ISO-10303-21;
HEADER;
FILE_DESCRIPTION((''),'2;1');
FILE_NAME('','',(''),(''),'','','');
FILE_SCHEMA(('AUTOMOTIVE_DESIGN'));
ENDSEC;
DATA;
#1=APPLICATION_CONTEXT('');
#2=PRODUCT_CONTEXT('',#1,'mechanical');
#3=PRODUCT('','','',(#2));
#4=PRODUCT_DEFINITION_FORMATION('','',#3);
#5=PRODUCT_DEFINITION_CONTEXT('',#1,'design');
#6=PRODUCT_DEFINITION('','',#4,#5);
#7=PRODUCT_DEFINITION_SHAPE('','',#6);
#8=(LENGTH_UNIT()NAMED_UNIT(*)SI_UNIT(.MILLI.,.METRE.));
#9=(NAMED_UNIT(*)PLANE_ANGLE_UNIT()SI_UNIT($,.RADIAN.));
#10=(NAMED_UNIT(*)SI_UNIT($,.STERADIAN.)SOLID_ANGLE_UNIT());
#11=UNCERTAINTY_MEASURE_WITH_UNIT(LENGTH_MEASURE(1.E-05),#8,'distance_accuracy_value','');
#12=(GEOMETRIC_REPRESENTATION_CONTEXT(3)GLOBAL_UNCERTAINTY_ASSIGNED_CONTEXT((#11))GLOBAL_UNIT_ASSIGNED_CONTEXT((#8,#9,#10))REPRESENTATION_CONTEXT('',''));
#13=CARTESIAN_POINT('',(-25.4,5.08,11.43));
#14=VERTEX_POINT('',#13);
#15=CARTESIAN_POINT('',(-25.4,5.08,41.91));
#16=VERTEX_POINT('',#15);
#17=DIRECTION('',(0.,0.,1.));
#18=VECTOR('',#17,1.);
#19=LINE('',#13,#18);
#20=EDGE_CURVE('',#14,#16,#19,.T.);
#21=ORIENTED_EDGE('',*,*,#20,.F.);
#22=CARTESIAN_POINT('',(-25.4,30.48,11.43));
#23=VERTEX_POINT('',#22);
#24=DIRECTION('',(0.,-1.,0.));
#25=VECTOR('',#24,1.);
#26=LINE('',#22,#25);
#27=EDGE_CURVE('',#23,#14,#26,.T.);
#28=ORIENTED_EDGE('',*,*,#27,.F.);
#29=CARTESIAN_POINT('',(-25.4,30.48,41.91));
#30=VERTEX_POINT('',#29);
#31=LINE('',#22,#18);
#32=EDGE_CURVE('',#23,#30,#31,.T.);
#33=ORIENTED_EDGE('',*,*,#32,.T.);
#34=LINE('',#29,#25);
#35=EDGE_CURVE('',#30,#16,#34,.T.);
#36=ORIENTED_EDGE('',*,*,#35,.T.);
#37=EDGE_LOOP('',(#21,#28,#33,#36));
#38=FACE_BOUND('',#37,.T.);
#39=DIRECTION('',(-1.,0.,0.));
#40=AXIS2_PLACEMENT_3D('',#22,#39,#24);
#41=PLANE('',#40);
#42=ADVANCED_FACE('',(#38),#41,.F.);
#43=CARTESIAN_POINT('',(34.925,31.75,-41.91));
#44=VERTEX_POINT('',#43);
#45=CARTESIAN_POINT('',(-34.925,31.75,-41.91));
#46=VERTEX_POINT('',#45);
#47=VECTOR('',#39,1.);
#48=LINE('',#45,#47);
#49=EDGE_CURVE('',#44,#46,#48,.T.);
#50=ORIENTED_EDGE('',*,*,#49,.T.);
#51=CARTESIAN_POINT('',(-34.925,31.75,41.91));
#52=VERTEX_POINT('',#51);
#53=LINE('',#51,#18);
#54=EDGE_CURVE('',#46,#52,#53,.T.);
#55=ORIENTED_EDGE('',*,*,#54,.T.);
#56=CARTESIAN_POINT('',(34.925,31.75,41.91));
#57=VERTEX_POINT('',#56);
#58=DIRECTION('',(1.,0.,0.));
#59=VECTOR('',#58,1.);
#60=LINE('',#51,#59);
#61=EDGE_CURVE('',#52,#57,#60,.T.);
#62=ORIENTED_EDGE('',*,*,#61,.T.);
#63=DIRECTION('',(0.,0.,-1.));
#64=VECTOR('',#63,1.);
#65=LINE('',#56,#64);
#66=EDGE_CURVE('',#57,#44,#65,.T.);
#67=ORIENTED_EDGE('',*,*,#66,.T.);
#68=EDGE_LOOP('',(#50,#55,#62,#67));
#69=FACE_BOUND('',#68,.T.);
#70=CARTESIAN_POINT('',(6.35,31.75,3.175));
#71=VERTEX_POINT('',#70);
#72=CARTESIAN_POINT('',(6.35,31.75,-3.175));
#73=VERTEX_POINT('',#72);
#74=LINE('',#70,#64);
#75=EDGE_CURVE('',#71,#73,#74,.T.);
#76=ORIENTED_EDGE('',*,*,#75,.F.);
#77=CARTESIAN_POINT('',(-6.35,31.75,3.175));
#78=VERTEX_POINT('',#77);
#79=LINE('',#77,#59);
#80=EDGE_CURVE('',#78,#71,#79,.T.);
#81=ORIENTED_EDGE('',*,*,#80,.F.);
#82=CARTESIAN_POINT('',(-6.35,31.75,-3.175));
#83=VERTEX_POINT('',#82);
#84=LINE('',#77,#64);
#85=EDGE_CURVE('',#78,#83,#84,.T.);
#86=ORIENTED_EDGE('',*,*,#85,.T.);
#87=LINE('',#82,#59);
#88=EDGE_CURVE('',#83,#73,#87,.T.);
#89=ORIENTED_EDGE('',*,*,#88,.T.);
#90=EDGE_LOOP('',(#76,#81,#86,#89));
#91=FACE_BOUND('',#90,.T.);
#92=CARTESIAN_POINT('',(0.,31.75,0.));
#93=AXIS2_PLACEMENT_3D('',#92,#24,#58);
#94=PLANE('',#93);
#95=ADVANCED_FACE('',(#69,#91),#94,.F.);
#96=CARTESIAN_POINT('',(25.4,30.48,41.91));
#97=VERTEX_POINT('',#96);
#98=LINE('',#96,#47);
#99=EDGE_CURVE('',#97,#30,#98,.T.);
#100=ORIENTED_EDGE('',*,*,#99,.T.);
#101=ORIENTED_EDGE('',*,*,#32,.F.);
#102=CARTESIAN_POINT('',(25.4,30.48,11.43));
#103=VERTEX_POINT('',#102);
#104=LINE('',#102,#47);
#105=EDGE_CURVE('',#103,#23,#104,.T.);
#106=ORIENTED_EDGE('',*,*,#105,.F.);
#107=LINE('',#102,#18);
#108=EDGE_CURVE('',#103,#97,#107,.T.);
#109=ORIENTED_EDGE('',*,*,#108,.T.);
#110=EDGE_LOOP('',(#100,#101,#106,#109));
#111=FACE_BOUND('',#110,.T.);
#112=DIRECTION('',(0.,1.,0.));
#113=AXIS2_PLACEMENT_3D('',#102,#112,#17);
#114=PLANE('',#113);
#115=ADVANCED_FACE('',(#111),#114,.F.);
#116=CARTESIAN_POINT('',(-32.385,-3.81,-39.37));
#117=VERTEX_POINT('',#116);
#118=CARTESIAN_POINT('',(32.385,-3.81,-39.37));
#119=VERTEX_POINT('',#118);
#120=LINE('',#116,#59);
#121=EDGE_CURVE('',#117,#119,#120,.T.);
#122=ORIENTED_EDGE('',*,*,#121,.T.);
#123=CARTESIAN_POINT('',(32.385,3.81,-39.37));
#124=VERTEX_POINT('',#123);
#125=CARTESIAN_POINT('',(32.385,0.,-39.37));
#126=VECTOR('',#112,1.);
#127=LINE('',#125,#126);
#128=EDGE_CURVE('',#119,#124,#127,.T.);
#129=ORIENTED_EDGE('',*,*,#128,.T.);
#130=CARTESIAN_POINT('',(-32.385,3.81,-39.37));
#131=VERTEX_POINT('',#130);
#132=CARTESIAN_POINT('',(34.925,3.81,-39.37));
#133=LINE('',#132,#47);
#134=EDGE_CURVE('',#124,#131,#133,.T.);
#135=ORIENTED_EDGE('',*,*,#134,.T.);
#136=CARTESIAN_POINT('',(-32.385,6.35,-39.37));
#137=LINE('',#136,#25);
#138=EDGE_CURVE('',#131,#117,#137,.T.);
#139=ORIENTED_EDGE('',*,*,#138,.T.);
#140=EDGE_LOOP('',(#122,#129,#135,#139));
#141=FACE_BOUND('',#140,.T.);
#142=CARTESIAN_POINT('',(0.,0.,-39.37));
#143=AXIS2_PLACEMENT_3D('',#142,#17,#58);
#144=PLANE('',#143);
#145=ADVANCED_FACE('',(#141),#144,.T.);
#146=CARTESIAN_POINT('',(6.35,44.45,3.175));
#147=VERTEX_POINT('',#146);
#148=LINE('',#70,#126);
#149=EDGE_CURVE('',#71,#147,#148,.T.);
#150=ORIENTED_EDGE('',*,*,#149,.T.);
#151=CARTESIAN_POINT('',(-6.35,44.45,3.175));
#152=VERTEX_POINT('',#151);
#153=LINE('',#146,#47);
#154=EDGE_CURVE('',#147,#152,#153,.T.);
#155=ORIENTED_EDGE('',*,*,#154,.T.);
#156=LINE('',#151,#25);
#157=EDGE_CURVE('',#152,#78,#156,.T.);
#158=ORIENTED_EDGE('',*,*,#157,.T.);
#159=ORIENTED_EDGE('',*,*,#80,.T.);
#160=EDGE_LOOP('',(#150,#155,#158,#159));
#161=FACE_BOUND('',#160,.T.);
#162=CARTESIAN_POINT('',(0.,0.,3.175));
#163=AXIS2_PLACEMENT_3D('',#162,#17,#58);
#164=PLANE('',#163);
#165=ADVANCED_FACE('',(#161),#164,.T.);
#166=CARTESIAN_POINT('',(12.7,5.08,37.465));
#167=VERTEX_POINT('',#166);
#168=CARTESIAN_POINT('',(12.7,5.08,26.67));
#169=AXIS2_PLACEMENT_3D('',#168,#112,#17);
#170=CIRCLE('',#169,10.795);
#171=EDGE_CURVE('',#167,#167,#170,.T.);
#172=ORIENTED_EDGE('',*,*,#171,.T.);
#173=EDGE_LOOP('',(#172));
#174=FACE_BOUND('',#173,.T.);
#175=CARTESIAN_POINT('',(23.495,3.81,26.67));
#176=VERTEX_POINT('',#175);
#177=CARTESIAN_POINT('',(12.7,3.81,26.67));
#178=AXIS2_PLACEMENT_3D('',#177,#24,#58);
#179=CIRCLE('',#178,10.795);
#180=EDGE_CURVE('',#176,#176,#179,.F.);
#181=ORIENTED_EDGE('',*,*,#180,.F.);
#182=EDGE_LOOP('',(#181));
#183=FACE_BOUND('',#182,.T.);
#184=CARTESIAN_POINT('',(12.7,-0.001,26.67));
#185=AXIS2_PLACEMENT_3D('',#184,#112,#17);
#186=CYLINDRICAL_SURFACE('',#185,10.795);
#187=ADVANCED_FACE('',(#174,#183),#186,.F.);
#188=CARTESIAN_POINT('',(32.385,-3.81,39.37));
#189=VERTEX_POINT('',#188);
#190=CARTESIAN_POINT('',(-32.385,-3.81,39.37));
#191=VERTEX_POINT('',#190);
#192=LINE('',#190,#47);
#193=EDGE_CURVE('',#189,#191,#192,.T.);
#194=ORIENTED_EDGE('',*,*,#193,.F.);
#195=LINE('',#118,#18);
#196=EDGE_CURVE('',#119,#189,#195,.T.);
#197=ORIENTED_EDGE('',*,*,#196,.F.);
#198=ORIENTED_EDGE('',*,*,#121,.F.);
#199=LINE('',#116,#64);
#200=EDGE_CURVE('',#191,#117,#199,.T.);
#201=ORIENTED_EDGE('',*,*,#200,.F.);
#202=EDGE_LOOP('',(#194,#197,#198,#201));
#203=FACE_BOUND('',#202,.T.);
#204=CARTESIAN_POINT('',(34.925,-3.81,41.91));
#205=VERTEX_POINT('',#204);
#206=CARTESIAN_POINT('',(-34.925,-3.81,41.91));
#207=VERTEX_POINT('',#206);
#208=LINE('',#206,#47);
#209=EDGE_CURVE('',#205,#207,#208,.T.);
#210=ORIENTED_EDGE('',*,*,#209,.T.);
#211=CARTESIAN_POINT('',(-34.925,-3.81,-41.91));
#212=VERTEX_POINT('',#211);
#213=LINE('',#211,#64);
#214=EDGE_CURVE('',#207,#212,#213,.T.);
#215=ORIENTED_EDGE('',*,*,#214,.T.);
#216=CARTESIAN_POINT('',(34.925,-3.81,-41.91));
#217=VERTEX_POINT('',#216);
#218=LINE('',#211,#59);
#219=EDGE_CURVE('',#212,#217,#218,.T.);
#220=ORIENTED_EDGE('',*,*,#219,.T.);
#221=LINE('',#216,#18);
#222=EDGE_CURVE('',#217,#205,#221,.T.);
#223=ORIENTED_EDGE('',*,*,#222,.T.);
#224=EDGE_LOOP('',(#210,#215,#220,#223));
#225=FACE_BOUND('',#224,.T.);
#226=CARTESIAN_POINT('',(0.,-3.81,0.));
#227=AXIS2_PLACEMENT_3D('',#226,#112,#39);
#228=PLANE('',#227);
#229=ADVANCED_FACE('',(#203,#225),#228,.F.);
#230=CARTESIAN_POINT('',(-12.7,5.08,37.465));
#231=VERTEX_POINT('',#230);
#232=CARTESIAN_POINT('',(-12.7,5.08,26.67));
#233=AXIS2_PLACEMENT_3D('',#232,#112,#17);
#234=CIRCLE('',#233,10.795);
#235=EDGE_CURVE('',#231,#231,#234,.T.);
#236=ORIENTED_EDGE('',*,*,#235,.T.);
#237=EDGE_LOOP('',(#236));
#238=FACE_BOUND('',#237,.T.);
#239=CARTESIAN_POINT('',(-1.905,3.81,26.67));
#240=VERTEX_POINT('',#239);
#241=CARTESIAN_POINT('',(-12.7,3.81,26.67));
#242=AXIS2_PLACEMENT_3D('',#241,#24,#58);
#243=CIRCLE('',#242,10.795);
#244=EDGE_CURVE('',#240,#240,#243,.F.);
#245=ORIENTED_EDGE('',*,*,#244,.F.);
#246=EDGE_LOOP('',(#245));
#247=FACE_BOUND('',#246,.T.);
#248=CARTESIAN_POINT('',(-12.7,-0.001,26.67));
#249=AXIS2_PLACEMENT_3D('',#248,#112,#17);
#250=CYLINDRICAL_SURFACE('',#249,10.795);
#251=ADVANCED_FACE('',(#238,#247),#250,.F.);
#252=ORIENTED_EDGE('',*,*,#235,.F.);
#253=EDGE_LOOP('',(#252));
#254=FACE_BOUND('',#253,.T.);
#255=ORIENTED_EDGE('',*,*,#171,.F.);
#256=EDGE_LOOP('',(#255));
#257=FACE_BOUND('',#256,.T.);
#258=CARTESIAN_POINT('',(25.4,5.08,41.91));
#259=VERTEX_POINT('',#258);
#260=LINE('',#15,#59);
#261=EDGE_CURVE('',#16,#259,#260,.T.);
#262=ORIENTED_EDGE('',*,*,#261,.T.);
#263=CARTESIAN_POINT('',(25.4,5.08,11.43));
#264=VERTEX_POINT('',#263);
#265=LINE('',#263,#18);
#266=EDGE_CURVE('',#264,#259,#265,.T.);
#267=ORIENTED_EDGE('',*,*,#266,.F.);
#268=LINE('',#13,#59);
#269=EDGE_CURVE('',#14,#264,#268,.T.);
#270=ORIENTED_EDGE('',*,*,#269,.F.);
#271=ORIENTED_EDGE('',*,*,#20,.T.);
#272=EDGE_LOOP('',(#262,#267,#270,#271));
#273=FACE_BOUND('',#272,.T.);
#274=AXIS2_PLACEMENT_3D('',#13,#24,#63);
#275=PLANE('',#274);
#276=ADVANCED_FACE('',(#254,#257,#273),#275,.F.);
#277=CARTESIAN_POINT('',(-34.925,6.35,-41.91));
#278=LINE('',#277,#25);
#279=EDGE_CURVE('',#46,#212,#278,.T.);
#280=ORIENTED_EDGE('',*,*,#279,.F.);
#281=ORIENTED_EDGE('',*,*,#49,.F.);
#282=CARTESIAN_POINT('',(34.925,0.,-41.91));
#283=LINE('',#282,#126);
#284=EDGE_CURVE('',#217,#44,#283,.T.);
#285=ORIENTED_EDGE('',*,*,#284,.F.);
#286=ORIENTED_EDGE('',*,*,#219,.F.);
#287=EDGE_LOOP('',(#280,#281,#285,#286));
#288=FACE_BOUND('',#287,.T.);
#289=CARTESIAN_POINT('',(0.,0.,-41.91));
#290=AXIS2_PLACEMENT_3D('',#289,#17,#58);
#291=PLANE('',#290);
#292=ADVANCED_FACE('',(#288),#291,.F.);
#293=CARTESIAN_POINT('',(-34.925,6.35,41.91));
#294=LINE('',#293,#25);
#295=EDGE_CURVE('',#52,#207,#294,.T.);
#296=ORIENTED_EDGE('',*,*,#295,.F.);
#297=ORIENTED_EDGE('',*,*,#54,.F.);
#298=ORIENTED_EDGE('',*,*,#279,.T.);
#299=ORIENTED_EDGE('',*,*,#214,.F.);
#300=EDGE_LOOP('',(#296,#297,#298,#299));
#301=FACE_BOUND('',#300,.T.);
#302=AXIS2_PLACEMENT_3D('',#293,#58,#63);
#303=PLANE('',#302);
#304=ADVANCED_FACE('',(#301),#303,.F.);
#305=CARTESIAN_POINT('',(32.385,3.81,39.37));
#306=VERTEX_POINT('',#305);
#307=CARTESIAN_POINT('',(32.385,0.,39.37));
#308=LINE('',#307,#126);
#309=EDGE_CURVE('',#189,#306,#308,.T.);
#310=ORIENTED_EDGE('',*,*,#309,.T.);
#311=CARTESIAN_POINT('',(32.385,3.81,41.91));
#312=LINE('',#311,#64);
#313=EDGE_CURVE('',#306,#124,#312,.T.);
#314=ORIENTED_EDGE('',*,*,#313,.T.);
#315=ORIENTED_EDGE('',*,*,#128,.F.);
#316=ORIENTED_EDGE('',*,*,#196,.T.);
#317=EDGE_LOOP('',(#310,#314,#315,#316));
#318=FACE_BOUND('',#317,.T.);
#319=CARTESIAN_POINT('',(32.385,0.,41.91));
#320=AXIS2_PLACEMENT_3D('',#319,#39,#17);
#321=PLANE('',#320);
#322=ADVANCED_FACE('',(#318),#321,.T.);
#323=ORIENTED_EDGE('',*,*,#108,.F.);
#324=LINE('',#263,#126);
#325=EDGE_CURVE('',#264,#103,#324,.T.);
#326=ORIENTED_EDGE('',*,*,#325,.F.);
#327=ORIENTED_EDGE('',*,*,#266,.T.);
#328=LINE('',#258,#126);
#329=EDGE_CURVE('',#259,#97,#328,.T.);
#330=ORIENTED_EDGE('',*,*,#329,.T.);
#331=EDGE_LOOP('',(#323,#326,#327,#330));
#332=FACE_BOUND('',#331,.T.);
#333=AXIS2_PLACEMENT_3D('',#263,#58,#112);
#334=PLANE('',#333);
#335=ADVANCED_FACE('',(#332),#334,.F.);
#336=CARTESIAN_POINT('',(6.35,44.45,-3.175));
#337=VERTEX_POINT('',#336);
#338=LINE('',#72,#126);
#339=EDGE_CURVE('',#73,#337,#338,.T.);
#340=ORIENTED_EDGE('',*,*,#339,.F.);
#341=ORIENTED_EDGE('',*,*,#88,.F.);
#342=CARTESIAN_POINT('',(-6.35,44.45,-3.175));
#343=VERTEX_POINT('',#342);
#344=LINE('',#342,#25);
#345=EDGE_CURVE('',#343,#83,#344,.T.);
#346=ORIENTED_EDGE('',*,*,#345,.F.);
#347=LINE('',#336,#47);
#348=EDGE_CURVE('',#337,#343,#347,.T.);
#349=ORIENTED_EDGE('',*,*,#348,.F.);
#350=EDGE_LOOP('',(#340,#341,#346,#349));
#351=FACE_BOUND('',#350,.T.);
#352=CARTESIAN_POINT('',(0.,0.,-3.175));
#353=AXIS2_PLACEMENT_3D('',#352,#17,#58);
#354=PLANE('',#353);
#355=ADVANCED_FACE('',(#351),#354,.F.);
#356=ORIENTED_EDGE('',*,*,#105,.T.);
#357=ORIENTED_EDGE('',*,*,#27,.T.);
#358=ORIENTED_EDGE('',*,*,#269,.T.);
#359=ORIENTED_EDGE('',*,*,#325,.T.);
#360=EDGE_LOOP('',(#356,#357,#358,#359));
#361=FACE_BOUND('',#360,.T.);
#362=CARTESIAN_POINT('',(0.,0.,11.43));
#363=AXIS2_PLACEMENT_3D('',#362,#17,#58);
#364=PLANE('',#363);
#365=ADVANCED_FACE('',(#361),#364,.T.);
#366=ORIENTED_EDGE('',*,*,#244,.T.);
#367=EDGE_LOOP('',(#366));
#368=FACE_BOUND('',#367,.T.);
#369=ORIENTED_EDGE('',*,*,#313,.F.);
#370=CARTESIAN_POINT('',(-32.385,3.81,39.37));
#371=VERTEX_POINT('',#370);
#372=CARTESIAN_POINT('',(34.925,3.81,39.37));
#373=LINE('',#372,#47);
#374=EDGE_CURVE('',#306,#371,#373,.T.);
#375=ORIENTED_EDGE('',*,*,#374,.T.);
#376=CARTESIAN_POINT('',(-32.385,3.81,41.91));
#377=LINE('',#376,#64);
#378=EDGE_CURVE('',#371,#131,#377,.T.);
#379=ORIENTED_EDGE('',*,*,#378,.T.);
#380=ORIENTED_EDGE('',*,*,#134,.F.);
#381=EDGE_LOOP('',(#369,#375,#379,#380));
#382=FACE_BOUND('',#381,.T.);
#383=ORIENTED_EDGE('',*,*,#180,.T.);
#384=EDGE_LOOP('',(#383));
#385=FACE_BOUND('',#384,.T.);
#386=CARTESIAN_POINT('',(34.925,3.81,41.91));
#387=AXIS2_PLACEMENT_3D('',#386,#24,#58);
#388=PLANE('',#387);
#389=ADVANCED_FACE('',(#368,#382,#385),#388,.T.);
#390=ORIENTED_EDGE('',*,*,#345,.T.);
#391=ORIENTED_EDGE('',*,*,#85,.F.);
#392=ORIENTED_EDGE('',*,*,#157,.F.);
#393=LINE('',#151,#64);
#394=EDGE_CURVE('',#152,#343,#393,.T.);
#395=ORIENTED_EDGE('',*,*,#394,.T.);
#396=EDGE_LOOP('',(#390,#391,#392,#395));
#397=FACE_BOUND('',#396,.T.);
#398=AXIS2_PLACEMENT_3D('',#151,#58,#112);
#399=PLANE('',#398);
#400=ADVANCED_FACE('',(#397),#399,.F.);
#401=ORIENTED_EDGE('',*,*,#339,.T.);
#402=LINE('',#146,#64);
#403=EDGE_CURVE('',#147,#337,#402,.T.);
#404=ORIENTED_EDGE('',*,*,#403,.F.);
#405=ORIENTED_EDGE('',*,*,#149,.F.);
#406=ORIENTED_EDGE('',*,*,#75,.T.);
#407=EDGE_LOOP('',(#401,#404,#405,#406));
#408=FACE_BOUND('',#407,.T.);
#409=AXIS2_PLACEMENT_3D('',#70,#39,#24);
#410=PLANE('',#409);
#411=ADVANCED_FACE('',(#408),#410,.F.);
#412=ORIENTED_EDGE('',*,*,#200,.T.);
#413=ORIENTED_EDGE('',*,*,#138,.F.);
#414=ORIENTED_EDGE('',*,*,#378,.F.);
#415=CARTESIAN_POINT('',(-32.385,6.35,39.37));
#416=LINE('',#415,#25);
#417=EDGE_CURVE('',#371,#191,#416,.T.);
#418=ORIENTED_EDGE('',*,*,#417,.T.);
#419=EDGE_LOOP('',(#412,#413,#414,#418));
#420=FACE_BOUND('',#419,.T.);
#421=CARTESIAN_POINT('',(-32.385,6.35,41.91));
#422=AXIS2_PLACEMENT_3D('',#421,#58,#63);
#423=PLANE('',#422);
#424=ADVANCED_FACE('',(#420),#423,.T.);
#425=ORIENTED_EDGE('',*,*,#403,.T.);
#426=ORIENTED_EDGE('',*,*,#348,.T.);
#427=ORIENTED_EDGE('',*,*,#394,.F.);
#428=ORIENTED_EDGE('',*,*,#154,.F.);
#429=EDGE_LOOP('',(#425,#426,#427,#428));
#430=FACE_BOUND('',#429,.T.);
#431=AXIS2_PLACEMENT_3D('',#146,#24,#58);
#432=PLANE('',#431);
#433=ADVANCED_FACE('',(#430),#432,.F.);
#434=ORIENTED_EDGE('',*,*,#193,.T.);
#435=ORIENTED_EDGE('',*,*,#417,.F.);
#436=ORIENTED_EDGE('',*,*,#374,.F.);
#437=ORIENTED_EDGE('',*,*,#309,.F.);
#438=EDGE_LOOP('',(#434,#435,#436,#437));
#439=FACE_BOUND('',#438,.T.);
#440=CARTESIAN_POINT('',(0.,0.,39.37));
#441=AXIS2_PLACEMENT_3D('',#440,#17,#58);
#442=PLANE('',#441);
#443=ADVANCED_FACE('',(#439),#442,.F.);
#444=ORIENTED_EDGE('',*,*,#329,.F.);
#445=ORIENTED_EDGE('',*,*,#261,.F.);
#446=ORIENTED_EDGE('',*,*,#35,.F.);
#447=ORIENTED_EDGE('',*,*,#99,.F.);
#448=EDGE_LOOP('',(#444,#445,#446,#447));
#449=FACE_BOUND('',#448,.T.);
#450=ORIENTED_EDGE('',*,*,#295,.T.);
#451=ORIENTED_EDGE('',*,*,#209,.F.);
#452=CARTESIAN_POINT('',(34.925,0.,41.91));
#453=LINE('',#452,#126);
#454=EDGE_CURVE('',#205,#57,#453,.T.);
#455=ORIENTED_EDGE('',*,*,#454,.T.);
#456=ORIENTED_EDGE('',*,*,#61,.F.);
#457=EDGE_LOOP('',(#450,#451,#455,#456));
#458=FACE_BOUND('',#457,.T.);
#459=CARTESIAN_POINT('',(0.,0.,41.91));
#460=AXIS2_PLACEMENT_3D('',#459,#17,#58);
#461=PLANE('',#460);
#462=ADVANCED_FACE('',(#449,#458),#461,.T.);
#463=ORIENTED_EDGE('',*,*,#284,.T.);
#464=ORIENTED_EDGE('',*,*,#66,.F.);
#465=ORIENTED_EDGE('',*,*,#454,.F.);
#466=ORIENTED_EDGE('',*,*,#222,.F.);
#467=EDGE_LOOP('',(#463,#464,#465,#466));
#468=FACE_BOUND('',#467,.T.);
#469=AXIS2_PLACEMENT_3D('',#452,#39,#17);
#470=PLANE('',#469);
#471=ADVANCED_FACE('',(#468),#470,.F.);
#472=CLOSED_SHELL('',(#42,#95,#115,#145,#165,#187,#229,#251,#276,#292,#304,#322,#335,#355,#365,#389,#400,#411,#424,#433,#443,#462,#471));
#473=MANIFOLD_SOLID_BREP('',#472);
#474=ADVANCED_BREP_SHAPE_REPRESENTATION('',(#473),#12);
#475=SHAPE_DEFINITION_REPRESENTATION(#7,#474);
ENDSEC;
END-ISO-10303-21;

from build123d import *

# Parameters (mm, degrees)
SKETCH1_W           = 69.85
SKETCH1_H           = 6.35
BOSS_EXTRUDE1_DEPTH = 41.91
SHELL1_T            = -2.54
SKETCH2_W           = 69.85
SKETCH2_H           = 83.82
BOSS_EXTRUDE2_DEPTH = 25.4
SKETCH5_W           = 12.7
SKETCH5_H           = 12.7
BOSS_EXTRUDE5_DEPTH = 3.175
SKETCH6_W           = 50.8
SKETCH6_H           = 25.4
CUT_EXTRUDE1_DEPTH  = 30.48
CUT_EXTRUDE2_REACH  = 69.277
SKETCH7_R           = 10.795
SKETCH8_W           = 69.85
SKETCH8_H           = 83.82
SKETCH8_W_2         = 64.77
SKETCH8_H_2         = 78.74
BOSS_EXTRUDE6_DEPTH = 3.81


with BuildPart() as part:
    # Sketch1 → Boss-Extrude1 (new, symmetric)
    with BuildSketch(Plane.XY):
        with Locations((0, 3.175)):
            Rectangle(SKETCH1_W, SKETCH1_H)
    extrude(amount=BOSS_EXTRUDE1_DEPTH, both=True)

    # Shell1
    shell1_openings = [part.faces().sort_by_distance(p)[0] for p in [
        (0, 0, 0),
    ]]
    offset(amount=SHELL1_T, openings=shell1_openings, kind=Kind.INTERSECTION)

    # Sketch2 → Boss-Extrude2 (add)
    with BuildSketch(Plane(origin=(0, 6.35, 0), x_dir=(1, 0, 0), z_dir=(0, 1, 0))):
        Rectangle(SKETCH2_W, SKETCH2_H)
    extrude(amount=BOSS_EXTRUDE2_DEPTH)

    # Sketch5 → Boss-Extrude5 (add, symmetric)
    with BuildSketch(Plane.XY):
        with Locations((0, 38.1)):
            Rectangle(SKETCH5_W, SKETCH5_H)
    extrude(amount=BOSS_EXTRUDE5_DEPTH, both=True)

    # Sketch6 → Cut-Extrude1 (cut)
    with BuildSketch(Plane.XY.offset(41.91)):
        with Locations((0, 17.78)):
            Rectangle(SKETCH6_W, SKETCH6_H)
    extrude(amount=-CUT_EXTRUDE1_DEPTH, mode=Mode.SUBTRACT)

    # Sketch7 → Cut-Extrude2 (cut, up to next)
    with BuildSketch(Plane(origin=(0, 5.08, 0), x_dir=(1, 0, 0), z_dir=(0, 1, 0)), mode=Mode.PRIVATE) as cut_extrude2_sk1:
        with Locations(Location((-12.7, -26.67, 0), (0, 0, 270))):
            Circle(SKETCH7_R)
    cut_extrude2_tool1 = extrude(cut_extrude2_sk1.sketch, amount=-CUT_EXTRUDE2_REACH, mode=Mode.PRIVATE) & part.part
    # Sketch7 → Cut-Extrude2 (cut, up to next)
    with BuildSketch(Plane(origin=(0, 5.08, 0), x_dir=(1, 0, 0), z_dir=(0, 1, 0)), mode=Mode.PRIVATE) as cut_extrude2_sk2:
        with Locations(Location((12.7, -26.67, 0), (0, 0, 270))):
            Circle(SKETCH7_R)
    cut_extrude2_tool2 = extrude(cut_extrude2_sk2.sketch, amount=-CUT_EXTRUDE2_REACH, mode=Mode.PRIVATE) & part.part
    add(cut_extrude2_tool1.solids().sort_by_distance((-12.7, 5.08, 26.67))[0], mode=Mode.SUBTRACT)
    add(cut_extrude2_tool2.solids().sort_by_distance((12.7, 5.08, 26.67))[0], mode=Mode.SUBTRACT)

    # Sketch8 → Boss-Extrude6 (add)
    with BuildSketch(Plane.XZ):
        Rectangle(SKETCH8_W, SKETCH8_H)
        Rectangle(SKETCH8_W_2, SKETCH8_H_2, mode=Mode.SUBTRACT)
    extrude(amount=BOSS_EXTRUDE6_DEPTH)


solid = part.part
